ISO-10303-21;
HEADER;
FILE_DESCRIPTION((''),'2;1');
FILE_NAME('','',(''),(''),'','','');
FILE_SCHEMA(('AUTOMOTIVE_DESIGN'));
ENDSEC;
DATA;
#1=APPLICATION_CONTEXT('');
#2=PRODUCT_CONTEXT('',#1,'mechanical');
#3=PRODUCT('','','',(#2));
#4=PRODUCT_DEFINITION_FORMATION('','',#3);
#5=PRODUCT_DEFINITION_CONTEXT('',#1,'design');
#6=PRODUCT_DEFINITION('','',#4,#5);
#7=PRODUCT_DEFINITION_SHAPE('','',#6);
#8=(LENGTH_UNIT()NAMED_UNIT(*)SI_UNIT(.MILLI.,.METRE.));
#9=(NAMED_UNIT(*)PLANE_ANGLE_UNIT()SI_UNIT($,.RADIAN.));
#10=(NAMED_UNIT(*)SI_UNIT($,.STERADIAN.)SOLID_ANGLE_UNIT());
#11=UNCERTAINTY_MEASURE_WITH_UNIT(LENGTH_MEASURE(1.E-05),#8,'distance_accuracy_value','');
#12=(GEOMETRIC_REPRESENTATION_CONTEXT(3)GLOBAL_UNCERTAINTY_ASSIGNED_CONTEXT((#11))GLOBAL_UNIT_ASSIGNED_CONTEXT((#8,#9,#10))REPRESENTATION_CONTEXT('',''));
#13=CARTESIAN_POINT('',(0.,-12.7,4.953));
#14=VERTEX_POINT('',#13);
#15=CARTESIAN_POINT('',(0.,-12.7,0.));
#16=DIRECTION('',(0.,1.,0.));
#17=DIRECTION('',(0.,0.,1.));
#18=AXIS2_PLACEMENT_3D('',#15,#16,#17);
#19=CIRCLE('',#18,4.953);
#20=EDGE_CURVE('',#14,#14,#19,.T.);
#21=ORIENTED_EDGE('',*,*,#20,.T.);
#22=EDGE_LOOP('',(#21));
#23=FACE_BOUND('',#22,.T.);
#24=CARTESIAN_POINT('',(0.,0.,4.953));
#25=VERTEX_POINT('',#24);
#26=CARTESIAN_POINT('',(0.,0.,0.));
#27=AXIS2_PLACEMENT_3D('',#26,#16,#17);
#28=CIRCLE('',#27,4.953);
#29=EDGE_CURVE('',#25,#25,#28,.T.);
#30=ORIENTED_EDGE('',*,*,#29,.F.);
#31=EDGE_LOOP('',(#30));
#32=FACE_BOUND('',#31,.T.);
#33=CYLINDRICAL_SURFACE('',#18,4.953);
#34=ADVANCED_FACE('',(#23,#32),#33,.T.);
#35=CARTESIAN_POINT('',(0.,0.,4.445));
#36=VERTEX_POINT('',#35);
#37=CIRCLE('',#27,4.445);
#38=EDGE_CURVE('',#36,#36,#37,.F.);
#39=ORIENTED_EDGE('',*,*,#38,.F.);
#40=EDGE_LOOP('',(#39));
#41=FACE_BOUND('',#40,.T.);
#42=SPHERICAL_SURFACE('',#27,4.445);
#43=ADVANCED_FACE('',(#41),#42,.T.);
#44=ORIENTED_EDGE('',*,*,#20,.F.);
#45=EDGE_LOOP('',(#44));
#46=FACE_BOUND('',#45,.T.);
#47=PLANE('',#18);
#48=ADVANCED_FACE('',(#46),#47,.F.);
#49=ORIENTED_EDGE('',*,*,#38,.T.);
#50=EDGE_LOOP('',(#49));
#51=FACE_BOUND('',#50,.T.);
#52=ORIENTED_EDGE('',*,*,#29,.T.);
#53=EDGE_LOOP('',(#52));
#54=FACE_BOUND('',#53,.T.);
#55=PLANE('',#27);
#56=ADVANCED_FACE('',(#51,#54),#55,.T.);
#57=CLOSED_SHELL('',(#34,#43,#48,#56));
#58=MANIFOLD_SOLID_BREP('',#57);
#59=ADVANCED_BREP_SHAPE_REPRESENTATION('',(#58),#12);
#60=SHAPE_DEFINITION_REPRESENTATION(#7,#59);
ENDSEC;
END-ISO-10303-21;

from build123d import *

# Parameters (mm, degrees)
SKETCH2_R           = 4.953
BOSS_EXTRUDE1_DEPTH = 12.7


with BuildPart() as part:
    # Sketch1 → Revolve4 (revolve)
    with BuildSketch(Plane(origin=(0, 0, 0), x_dir=(1, 0, 0), z_dir=(0, 1, 0))):
        with BuildLine():
            Line((-4.445, 0), (4.445, 0))
            ThreePointArc((4.445, 0), (0, -4.445), (-4.445, 0))
        make_face()
    revolve(axis=Axis((-4.445, 0, 0), (1, 0, 0)))

    # Sketch2 → Boss-Extrude1 (add)
    with BuildSketch(Plane(origin=(0, 0, 0), x_dir=(1, 0, 0), z_dir=(0, 1, 0))):
        with Locations(Location((0, 0, 0), (0, 0, 270))):
            Circle(SKETCH2_R)
    extrude(amount=-BOSS_EXTRUDE1_DEPTH)


solid = part.part
